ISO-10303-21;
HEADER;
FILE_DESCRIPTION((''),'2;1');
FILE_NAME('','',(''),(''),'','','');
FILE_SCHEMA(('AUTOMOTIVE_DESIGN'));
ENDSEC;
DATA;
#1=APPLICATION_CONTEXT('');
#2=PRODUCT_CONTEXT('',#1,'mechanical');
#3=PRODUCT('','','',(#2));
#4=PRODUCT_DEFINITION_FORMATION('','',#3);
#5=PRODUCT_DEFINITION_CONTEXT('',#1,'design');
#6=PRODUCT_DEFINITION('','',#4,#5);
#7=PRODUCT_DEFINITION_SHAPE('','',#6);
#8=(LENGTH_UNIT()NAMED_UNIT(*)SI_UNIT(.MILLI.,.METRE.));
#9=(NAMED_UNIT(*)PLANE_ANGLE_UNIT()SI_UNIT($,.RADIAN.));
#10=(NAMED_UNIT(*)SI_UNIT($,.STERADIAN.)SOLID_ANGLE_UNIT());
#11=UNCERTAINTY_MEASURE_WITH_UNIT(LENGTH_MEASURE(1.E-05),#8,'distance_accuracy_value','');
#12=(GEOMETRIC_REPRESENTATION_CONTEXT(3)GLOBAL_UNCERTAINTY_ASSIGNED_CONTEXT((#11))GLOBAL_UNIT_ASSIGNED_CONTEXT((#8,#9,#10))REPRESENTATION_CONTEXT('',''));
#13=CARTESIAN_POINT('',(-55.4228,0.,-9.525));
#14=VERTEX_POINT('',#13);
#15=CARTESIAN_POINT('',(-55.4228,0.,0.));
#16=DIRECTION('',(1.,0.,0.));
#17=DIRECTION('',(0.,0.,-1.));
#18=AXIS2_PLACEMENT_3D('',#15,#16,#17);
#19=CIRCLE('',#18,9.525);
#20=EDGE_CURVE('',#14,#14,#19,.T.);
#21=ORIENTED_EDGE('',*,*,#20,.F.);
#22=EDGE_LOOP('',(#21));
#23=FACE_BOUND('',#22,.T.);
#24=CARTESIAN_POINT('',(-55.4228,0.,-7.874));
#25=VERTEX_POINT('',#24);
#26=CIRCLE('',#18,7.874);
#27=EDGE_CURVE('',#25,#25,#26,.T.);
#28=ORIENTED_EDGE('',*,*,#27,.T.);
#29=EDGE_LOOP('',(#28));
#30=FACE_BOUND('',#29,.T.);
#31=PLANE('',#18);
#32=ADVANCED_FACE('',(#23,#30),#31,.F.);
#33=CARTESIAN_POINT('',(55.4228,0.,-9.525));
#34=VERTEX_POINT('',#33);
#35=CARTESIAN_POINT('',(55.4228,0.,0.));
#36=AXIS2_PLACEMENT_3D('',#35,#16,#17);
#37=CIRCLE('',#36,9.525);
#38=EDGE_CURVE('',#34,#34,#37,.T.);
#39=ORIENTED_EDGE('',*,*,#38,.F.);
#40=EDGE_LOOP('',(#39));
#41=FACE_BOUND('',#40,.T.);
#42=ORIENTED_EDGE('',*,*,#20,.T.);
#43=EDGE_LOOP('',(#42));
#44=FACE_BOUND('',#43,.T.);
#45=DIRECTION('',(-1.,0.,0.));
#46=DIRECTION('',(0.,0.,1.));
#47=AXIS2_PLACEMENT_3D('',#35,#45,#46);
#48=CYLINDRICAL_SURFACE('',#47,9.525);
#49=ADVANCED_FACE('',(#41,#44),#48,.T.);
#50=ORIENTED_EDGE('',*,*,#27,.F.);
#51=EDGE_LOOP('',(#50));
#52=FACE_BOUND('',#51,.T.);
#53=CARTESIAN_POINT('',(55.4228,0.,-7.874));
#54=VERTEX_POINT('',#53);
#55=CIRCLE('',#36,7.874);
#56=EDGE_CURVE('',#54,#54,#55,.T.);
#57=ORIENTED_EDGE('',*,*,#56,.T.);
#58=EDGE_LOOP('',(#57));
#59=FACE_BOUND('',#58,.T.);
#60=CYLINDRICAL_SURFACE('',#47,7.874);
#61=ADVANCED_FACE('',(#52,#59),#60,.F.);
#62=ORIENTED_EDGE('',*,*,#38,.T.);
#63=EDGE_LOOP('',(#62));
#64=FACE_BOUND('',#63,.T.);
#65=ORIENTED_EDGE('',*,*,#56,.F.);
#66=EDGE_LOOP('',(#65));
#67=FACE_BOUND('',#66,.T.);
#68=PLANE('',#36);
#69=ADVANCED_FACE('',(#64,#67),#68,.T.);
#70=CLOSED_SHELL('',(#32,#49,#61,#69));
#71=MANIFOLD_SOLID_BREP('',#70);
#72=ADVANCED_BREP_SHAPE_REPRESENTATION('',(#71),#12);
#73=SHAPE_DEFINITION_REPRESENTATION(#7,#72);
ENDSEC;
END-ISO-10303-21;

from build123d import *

# Parameters (mm, degrees)
SKETCH1_R           = 9.525
SKETCH1_R_2         = 7.874
BOSS_EXTRUDE1_DEPTH = 55.4228


with BuildPart() as part:
    # Sketch1 → Boss-Extrude1 (new body, symmetric)
    with BuildSketch(Plane(origin=(0, 0, 0), x_dir=(0, 0, -1), z_dir=(1, 0, 0))):
        Circle(SKETCH1_R)
        Circle(SKETCH1_R_2, mode=Mode.SUBTRACT)
    extrude(amount=BOSS_EXTRUDE1_DEPTH, both=True)


solid = part.part
